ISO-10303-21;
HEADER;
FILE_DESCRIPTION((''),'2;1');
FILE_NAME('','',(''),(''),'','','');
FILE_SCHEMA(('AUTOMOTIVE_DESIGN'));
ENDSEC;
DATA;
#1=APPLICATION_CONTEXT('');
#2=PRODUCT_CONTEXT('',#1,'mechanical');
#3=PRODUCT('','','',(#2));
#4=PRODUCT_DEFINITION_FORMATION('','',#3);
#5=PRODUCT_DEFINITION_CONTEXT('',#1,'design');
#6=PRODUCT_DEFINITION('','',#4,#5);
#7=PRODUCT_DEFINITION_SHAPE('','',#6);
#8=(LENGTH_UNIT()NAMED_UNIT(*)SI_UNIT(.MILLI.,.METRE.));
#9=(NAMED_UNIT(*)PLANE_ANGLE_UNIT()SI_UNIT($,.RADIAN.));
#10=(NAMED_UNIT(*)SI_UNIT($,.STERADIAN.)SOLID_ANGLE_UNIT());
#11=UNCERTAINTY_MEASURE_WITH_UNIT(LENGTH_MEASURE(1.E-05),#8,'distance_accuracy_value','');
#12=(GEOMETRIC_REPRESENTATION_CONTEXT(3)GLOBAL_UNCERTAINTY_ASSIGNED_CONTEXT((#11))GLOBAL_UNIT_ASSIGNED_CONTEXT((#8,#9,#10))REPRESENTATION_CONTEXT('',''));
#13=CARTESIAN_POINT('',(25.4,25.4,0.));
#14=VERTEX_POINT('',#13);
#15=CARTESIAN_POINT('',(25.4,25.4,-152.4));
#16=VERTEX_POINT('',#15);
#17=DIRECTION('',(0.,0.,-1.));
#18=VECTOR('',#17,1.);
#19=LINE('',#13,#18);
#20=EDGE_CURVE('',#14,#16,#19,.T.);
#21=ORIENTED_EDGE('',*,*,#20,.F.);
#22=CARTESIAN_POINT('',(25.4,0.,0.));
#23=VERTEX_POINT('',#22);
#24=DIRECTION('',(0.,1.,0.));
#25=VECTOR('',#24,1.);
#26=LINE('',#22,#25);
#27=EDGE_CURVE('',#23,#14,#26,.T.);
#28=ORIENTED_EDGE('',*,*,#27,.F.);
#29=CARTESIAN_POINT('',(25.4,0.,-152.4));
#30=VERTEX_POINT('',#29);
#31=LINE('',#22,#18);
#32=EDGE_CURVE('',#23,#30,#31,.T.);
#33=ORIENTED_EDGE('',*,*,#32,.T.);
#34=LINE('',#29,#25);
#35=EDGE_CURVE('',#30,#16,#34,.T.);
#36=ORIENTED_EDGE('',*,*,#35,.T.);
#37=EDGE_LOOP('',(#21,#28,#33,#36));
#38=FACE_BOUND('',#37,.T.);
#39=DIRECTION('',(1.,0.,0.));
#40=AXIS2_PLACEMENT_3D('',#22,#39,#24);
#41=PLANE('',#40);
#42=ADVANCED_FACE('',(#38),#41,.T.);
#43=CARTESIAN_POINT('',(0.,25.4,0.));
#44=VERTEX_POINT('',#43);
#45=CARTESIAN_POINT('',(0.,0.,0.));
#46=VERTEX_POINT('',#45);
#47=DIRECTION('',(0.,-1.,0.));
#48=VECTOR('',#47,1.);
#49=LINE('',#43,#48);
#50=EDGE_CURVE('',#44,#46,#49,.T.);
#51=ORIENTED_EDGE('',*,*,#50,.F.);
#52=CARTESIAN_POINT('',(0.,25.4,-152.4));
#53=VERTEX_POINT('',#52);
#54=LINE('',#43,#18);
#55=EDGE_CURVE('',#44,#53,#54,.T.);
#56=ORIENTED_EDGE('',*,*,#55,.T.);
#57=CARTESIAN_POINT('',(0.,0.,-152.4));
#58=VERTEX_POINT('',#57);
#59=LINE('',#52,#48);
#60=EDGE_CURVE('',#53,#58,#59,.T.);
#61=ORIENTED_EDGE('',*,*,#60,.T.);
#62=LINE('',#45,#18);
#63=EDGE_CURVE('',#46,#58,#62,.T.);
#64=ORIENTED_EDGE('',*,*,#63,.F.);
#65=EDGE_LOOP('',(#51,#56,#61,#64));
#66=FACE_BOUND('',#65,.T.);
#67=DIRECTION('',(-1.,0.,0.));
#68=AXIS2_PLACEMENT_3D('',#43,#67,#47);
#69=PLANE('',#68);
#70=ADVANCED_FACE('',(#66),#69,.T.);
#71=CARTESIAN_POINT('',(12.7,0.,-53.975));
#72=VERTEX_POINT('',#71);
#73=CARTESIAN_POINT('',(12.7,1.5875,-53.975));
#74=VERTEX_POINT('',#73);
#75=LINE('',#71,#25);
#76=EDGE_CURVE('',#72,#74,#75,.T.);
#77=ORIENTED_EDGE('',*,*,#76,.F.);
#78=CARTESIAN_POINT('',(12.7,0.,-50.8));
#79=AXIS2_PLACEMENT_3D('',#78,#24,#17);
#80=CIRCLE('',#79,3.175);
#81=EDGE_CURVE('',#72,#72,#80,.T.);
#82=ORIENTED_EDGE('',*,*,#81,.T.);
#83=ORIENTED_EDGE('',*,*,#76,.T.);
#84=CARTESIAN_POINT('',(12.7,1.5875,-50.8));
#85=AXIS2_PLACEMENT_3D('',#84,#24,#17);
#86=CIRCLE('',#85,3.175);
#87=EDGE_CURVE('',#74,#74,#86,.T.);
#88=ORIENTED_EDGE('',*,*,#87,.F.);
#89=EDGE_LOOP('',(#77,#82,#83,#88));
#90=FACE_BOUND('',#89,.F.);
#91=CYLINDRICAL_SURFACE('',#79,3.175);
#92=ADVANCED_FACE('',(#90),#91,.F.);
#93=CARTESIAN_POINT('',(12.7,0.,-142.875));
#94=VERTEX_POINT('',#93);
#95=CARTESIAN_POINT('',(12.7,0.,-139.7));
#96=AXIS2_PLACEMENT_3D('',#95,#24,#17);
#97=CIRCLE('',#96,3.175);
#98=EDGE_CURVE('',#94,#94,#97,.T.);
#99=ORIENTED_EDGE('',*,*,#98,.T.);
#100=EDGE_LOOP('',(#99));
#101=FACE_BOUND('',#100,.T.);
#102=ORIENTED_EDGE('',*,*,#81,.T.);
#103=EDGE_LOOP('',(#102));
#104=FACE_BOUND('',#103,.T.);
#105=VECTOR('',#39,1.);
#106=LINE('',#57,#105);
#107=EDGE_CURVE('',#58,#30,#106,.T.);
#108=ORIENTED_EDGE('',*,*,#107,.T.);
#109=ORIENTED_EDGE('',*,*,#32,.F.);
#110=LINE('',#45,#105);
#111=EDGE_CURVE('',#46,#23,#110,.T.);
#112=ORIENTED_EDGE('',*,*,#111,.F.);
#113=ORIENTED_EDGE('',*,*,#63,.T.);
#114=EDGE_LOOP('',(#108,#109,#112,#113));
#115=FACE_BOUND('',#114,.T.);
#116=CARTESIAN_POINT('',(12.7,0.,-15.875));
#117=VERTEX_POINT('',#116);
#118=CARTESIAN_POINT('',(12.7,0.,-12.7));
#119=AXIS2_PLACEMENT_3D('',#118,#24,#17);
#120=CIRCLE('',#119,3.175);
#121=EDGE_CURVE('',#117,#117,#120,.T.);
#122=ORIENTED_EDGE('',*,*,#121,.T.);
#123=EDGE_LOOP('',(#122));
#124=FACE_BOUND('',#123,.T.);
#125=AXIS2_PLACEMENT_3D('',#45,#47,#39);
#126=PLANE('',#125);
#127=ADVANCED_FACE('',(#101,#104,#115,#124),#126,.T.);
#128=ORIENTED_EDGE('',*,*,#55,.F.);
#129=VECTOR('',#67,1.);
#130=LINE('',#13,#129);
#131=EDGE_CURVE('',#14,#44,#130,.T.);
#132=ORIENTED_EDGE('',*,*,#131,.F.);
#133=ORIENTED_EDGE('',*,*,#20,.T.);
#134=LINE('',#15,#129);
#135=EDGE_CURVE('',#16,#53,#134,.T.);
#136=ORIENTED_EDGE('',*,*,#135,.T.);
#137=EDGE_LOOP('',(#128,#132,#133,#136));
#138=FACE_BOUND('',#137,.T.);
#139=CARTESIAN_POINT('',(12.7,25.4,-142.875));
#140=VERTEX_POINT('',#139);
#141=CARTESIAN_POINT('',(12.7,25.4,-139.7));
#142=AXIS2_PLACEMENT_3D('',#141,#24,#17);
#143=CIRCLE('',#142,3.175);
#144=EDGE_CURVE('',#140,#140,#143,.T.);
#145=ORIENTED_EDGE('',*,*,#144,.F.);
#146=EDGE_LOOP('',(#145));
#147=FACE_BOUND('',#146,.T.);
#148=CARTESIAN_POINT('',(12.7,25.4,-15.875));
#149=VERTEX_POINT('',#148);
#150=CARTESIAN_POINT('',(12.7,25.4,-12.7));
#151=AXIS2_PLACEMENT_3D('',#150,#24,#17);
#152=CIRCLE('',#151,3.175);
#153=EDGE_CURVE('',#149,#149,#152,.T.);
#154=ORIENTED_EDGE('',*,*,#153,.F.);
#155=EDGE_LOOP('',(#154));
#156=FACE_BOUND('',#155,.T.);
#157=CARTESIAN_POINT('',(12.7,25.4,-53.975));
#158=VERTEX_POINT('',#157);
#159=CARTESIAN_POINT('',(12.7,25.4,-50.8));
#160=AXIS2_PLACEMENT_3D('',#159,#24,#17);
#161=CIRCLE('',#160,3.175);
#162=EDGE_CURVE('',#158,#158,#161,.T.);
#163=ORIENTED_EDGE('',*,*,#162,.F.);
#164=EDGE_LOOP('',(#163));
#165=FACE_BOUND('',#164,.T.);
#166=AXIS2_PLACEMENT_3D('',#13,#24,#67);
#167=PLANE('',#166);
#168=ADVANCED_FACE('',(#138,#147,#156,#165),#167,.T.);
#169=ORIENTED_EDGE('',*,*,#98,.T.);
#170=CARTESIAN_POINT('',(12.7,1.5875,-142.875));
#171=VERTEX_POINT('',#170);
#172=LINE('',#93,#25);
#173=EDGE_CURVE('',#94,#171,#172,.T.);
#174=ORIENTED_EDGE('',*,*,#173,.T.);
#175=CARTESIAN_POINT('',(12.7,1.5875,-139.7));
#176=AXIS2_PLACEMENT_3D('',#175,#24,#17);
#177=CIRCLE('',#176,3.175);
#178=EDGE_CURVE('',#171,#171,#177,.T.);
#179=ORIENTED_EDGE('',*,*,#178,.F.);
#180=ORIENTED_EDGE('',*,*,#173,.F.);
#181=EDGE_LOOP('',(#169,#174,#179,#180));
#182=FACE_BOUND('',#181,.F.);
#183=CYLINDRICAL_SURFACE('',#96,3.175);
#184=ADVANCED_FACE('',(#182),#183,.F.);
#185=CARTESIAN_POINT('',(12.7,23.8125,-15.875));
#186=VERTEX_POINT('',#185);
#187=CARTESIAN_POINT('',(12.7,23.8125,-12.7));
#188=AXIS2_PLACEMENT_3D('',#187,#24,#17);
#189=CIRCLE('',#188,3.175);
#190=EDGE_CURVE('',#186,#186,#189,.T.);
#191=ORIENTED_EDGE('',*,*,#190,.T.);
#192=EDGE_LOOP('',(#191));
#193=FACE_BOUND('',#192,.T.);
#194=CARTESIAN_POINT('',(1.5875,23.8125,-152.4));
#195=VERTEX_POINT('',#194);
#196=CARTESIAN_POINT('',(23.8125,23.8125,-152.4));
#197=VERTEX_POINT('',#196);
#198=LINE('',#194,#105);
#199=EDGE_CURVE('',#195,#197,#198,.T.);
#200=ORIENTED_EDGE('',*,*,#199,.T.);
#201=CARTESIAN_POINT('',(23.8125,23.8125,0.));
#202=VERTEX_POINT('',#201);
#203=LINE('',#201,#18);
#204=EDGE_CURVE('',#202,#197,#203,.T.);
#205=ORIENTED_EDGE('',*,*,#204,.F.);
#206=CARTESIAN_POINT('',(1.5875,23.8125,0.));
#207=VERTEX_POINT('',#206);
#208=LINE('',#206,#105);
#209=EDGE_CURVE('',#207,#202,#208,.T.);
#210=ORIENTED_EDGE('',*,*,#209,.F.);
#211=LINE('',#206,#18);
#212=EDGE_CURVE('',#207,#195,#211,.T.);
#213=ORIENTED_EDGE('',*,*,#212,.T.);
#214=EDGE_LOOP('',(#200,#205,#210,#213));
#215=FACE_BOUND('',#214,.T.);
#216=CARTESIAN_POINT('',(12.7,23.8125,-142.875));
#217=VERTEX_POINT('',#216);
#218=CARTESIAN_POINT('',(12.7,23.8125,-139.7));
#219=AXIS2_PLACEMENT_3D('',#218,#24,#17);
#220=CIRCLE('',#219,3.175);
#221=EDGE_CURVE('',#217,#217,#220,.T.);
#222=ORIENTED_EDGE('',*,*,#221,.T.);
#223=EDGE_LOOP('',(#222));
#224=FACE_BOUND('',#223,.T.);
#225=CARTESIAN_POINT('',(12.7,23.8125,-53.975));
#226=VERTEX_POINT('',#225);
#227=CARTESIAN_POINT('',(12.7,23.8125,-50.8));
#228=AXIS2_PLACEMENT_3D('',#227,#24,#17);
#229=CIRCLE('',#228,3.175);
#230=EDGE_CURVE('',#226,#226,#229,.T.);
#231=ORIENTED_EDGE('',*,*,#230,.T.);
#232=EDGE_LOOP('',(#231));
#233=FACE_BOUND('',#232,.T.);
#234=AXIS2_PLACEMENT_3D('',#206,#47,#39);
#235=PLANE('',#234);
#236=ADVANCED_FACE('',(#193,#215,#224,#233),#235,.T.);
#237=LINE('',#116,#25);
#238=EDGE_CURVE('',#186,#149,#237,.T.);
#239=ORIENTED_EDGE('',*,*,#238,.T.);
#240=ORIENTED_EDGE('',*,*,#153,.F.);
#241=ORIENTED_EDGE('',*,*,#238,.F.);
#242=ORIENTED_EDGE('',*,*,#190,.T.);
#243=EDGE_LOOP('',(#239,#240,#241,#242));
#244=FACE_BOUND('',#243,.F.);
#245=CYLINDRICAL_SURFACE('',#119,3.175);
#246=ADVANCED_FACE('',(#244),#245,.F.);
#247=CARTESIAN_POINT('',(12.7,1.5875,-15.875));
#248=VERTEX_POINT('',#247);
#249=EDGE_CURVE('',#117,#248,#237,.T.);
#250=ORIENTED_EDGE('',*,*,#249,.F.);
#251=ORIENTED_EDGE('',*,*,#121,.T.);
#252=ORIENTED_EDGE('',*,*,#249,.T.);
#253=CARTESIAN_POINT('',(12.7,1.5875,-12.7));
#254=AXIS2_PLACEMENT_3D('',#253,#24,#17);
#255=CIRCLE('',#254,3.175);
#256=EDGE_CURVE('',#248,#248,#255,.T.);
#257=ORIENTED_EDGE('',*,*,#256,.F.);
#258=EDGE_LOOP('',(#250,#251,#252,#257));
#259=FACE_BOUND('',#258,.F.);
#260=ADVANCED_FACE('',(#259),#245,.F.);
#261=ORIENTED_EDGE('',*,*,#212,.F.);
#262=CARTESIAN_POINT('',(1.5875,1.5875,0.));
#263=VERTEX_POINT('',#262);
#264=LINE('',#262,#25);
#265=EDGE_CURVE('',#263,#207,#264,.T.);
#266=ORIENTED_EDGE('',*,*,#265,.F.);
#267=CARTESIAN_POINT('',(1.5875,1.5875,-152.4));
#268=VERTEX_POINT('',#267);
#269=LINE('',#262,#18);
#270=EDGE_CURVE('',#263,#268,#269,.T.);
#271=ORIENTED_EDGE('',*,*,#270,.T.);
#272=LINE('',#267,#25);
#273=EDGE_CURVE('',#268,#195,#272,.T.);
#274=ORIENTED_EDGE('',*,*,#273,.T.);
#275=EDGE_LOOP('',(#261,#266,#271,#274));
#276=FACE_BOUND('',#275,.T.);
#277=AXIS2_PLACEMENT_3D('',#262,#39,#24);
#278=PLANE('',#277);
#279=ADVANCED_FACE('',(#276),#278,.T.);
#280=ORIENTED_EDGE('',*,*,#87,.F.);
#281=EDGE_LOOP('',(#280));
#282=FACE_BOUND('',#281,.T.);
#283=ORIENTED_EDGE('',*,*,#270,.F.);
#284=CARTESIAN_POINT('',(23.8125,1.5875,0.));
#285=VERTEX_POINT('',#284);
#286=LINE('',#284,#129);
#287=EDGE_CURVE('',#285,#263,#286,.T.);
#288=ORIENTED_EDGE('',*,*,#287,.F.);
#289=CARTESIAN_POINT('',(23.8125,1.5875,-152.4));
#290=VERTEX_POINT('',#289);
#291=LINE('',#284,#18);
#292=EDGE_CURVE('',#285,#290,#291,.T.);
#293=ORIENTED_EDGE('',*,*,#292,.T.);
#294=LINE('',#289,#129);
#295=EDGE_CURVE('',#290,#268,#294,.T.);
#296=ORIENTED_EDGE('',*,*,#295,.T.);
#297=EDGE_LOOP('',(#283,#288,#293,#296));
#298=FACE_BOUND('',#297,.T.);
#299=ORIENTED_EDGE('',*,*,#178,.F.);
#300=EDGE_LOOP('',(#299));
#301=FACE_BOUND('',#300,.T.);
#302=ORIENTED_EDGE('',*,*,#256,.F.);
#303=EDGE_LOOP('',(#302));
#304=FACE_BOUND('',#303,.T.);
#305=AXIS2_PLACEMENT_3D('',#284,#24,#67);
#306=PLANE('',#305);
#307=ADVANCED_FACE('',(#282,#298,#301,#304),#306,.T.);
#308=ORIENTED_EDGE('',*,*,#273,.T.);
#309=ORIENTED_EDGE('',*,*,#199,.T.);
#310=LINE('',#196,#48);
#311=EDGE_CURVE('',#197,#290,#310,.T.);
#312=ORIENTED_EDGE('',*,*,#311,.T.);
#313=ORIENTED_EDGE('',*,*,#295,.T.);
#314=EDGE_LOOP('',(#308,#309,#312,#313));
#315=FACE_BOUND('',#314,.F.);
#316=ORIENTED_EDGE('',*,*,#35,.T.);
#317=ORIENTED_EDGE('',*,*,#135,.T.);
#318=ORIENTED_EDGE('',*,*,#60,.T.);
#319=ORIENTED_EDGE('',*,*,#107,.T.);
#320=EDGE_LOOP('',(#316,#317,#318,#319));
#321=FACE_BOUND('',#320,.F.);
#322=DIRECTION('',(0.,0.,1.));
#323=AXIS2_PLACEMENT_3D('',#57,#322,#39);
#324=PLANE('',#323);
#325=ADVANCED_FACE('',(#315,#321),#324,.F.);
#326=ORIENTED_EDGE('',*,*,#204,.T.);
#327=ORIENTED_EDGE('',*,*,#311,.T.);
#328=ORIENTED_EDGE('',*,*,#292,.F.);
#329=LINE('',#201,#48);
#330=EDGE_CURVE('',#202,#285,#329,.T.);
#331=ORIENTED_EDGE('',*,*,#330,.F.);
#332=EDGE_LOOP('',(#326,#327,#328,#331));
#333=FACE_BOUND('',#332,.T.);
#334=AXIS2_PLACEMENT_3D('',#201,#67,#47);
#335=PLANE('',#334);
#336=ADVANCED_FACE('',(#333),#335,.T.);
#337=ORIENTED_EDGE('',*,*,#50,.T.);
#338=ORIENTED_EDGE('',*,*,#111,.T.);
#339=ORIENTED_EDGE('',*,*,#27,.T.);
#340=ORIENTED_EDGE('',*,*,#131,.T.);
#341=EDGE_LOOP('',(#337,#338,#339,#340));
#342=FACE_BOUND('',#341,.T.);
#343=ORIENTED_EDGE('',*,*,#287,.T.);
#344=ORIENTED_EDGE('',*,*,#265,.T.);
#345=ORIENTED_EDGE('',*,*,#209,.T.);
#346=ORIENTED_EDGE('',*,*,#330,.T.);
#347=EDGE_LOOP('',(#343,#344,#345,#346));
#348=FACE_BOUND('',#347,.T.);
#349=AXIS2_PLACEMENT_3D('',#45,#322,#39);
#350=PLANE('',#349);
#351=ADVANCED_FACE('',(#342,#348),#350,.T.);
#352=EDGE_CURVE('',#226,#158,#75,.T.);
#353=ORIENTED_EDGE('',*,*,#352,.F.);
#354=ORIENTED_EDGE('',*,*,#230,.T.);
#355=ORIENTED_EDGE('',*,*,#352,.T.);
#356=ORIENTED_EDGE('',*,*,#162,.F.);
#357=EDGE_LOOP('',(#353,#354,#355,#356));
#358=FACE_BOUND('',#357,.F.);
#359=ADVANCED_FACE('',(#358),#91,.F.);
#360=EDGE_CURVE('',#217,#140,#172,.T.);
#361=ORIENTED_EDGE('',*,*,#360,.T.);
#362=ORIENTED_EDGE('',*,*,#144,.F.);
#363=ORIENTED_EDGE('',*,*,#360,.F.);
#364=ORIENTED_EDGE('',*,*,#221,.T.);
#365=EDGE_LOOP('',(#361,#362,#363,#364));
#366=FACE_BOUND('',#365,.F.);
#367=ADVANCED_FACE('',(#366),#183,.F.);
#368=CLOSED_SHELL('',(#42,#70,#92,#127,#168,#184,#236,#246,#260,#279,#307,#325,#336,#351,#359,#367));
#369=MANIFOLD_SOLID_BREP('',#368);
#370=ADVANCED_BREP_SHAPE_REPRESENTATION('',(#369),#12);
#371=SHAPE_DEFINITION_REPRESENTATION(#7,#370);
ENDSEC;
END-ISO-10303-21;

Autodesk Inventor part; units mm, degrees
ref_plane "YZ Plane" through (0, 0, 0) normal (1, 0, 0) x (0, 1, 0)
ref_plane "XZ Plane" through (0, 0, 0) normal (0, 1, 0) x (-1, 0, 0)
ref_plane "XY Plane" through (0, 0, 0) normal (0, 0, 1) x (1, 0, 0)
sketch "Sketch1" plane through (0, 0, 0) normal (0, 0, 1) x (1, 0, 0)
  line L0 (0, 0) -> (25.4, 0)
  line L1 (25.4, 0) -> (25.4, 25.4)
  line L2 (25.4, 25.4) -> (0, 25.4)
  line L3 (0, 25.4) -> (0, 0)
  line L4 (1.5875, 23.8125) -> (23.8125, 23.8125)
  line L5 (23.8125, 23.8125) -> (23.8125, 1.5875)
  line L6 (23.8125, 1.5875) -> (1.5875, 1.5875)
  line L7 (1.5875, 1.5875) -> (1.5875, 23.8125)
  dimension "d0" = 25.4
  dimension "d1" = 25.4
  dimension "d2" = 1.5875
extrude "Extrusion1" add sketch "Sketch1" against normal blind 152.4
sketch "Sketch3" plane through (0, 0, 0) normal (0, -1, 0) x (1, 0, 0)
  line L0 (0, -152.4) -> (25.4, -152.4) projected
  line L1 (0, 0) -> (25.4, 0) projected
  line L2 (25.4, 0) -> (25.4, -152.4) projected
  point P0 (12.7, -12.7)
  point P1 (12.7, -139.7)
  point P2 (12.7, -50.8)
  dimension "d7" = 12.7
  dimension "d8" = 12.7
  dimension "d23" = 38.1
  dimension "d24" = 12.7
hole "Hole2" at (12.7, 0, -12.7) at (12.7, 0, -139.7) at (12.7, 0, -50.8) direction (0, 1, 0) diameter 6.35 depth 25.4 tip angle 118
properties part number "tube_f_r_out_wheel"
